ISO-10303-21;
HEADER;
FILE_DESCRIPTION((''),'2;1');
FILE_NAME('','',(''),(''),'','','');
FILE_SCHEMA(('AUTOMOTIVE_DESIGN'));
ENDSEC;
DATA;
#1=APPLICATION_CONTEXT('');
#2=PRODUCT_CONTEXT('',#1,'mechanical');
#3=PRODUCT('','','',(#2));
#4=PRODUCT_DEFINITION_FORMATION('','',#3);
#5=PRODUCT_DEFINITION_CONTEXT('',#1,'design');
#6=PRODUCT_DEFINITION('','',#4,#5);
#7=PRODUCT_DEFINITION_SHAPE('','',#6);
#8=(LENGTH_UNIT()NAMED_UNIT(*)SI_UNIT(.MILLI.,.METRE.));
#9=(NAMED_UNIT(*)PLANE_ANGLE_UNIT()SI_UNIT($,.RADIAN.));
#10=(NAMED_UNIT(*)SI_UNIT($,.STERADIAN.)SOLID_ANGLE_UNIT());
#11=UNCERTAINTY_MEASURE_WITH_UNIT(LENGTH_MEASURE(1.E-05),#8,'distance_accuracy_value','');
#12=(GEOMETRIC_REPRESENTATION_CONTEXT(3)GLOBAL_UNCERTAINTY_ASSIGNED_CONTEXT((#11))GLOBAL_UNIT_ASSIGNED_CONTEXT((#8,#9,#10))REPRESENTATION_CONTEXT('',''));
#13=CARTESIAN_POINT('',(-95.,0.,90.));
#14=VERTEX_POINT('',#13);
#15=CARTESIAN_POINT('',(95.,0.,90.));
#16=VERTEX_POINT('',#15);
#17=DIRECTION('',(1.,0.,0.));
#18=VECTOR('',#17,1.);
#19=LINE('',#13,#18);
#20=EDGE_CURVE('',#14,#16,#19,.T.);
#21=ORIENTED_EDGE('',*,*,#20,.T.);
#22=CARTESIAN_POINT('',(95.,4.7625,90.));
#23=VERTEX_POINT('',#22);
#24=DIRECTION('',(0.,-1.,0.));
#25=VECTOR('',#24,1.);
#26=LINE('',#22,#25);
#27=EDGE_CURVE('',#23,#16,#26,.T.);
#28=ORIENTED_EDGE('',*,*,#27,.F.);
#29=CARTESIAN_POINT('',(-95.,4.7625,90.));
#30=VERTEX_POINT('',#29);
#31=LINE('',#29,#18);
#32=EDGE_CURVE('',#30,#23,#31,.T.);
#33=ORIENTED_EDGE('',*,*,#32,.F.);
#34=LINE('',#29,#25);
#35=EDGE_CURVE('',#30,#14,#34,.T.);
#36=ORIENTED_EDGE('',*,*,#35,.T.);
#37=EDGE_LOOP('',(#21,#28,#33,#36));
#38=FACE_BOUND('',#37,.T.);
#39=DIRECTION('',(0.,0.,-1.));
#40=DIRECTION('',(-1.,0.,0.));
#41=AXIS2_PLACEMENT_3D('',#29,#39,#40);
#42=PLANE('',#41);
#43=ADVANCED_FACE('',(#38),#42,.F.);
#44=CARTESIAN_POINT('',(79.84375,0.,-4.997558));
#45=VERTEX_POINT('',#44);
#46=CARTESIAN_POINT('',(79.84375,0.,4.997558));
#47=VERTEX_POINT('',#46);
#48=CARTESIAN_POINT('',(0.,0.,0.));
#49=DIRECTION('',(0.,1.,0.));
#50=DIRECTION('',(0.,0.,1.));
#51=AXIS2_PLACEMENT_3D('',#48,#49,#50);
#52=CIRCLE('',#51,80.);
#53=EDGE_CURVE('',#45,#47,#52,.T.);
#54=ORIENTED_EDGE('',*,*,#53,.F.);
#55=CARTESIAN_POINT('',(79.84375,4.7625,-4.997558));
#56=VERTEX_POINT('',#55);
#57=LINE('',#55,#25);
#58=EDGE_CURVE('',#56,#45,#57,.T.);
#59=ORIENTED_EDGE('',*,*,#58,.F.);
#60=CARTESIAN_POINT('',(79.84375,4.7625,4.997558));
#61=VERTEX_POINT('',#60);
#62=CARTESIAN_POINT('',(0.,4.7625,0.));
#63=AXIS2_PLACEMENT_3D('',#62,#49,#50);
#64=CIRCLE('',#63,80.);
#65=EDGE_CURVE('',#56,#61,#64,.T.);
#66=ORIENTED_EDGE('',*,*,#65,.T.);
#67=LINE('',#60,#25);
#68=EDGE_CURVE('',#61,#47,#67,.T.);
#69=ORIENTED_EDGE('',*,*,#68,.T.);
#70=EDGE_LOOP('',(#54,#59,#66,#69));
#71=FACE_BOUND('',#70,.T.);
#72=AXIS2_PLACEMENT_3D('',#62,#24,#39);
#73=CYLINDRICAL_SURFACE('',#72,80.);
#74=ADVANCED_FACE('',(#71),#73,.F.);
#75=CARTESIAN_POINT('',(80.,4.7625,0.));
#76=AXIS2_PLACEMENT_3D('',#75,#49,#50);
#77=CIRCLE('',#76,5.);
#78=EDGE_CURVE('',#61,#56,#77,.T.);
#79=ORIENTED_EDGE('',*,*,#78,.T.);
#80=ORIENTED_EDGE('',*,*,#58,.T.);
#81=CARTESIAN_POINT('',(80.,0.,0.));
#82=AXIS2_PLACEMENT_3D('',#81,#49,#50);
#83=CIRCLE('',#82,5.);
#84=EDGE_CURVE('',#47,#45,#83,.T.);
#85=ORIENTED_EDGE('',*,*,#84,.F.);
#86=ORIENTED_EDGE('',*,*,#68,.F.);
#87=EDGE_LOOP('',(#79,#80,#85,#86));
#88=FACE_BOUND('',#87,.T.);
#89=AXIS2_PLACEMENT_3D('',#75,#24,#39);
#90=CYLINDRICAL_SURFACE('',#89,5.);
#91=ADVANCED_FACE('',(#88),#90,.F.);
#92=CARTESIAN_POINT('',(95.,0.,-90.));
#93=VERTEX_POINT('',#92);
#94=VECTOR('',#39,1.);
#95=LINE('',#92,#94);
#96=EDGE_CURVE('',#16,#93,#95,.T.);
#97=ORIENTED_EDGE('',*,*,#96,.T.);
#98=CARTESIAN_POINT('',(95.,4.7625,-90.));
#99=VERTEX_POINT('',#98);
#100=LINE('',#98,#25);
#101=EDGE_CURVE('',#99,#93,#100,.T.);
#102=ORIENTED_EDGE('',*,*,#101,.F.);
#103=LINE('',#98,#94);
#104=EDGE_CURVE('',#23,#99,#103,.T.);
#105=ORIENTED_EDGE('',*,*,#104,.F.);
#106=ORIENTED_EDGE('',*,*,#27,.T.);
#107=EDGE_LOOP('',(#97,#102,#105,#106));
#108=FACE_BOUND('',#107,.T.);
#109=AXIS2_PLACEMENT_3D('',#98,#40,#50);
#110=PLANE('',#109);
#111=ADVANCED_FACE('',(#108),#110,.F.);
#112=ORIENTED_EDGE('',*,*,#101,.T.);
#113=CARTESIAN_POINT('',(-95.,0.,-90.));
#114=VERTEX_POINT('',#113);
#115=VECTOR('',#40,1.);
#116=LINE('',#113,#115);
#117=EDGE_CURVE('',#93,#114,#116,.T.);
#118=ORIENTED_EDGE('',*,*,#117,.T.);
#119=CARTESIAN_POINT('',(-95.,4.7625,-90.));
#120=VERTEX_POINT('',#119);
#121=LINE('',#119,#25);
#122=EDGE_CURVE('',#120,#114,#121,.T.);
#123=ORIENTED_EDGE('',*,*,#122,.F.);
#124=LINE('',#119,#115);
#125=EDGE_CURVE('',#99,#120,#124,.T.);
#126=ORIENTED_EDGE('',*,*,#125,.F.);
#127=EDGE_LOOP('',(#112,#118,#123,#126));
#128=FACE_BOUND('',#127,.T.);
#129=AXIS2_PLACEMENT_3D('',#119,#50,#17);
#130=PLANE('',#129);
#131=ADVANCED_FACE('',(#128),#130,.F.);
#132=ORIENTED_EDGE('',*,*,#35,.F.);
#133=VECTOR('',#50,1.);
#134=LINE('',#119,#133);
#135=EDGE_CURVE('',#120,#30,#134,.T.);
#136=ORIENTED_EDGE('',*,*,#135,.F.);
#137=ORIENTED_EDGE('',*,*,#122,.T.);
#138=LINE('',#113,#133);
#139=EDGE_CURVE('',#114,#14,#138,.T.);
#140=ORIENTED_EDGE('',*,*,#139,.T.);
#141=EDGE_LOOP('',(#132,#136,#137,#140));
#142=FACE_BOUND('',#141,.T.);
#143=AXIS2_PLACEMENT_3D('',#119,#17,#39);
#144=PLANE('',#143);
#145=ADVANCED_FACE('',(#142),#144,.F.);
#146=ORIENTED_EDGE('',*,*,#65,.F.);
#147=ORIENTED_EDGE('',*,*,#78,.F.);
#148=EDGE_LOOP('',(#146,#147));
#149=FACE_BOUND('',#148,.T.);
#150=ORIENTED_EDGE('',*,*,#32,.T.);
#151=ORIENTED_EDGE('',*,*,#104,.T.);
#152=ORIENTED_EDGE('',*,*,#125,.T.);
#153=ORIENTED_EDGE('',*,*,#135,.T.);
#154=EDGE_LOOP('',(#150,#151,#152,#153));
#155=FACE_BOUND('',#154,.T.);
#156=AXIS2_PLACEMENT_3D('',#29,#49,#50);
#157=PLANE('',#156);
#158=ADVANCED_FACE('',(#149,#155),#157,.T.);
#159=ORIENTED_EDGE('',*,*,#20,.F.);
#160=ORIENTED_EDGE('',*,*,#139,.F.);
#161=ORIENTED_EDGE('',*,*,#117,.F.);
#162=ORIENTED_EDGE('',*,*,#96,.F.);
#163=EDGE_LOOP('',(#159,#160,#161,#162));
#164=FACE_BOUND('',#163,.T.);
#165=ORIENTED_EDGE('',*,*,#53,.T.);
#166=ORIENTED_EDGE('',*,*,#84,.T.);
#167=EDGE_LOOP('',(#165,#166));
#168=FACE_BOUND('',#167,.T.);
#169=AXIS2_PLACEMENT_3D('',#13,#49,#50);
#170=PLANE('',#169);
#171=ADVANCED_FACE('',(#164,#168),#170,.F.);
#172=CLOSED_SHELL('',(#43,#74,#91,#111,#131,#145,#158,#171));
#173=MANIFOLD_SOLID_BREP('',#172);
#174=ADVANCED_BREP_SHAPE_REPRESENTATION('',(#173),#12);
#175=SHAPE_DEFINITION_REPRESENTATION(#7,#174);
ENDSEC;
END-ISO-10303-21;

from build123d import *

# Parameters (mm, degrees)
SKETCH1_W           = 190
SKETCH1_H           = 180
BOSS_EXTRUDE1_DEPTH = 4.7625


with BuildPart() as part:
    # Sketch1 → Boss-Extrude1 (new body)
    with BuildSketch(Plane(origin=(0, 0, 0), x_dir=(1, 0, 0), z_dir=(0, 1, 0))):
        Rectangle(SKETCH1_W, SKETCH1_H)
        with BuildLine():
            ThreePointArc((79.84375, 4.997557997), (-80, 0), (79.84375, -4.997557997))
            ThreePointArc((79.84375, -4.997557997), (85, 0), (79.84375, 4.997557997))
        make_face(mode=Mode.SUBTRACT)
    extrude(amount=BOSS_EXTRUDE1_DEPTH)


solid = part.part
